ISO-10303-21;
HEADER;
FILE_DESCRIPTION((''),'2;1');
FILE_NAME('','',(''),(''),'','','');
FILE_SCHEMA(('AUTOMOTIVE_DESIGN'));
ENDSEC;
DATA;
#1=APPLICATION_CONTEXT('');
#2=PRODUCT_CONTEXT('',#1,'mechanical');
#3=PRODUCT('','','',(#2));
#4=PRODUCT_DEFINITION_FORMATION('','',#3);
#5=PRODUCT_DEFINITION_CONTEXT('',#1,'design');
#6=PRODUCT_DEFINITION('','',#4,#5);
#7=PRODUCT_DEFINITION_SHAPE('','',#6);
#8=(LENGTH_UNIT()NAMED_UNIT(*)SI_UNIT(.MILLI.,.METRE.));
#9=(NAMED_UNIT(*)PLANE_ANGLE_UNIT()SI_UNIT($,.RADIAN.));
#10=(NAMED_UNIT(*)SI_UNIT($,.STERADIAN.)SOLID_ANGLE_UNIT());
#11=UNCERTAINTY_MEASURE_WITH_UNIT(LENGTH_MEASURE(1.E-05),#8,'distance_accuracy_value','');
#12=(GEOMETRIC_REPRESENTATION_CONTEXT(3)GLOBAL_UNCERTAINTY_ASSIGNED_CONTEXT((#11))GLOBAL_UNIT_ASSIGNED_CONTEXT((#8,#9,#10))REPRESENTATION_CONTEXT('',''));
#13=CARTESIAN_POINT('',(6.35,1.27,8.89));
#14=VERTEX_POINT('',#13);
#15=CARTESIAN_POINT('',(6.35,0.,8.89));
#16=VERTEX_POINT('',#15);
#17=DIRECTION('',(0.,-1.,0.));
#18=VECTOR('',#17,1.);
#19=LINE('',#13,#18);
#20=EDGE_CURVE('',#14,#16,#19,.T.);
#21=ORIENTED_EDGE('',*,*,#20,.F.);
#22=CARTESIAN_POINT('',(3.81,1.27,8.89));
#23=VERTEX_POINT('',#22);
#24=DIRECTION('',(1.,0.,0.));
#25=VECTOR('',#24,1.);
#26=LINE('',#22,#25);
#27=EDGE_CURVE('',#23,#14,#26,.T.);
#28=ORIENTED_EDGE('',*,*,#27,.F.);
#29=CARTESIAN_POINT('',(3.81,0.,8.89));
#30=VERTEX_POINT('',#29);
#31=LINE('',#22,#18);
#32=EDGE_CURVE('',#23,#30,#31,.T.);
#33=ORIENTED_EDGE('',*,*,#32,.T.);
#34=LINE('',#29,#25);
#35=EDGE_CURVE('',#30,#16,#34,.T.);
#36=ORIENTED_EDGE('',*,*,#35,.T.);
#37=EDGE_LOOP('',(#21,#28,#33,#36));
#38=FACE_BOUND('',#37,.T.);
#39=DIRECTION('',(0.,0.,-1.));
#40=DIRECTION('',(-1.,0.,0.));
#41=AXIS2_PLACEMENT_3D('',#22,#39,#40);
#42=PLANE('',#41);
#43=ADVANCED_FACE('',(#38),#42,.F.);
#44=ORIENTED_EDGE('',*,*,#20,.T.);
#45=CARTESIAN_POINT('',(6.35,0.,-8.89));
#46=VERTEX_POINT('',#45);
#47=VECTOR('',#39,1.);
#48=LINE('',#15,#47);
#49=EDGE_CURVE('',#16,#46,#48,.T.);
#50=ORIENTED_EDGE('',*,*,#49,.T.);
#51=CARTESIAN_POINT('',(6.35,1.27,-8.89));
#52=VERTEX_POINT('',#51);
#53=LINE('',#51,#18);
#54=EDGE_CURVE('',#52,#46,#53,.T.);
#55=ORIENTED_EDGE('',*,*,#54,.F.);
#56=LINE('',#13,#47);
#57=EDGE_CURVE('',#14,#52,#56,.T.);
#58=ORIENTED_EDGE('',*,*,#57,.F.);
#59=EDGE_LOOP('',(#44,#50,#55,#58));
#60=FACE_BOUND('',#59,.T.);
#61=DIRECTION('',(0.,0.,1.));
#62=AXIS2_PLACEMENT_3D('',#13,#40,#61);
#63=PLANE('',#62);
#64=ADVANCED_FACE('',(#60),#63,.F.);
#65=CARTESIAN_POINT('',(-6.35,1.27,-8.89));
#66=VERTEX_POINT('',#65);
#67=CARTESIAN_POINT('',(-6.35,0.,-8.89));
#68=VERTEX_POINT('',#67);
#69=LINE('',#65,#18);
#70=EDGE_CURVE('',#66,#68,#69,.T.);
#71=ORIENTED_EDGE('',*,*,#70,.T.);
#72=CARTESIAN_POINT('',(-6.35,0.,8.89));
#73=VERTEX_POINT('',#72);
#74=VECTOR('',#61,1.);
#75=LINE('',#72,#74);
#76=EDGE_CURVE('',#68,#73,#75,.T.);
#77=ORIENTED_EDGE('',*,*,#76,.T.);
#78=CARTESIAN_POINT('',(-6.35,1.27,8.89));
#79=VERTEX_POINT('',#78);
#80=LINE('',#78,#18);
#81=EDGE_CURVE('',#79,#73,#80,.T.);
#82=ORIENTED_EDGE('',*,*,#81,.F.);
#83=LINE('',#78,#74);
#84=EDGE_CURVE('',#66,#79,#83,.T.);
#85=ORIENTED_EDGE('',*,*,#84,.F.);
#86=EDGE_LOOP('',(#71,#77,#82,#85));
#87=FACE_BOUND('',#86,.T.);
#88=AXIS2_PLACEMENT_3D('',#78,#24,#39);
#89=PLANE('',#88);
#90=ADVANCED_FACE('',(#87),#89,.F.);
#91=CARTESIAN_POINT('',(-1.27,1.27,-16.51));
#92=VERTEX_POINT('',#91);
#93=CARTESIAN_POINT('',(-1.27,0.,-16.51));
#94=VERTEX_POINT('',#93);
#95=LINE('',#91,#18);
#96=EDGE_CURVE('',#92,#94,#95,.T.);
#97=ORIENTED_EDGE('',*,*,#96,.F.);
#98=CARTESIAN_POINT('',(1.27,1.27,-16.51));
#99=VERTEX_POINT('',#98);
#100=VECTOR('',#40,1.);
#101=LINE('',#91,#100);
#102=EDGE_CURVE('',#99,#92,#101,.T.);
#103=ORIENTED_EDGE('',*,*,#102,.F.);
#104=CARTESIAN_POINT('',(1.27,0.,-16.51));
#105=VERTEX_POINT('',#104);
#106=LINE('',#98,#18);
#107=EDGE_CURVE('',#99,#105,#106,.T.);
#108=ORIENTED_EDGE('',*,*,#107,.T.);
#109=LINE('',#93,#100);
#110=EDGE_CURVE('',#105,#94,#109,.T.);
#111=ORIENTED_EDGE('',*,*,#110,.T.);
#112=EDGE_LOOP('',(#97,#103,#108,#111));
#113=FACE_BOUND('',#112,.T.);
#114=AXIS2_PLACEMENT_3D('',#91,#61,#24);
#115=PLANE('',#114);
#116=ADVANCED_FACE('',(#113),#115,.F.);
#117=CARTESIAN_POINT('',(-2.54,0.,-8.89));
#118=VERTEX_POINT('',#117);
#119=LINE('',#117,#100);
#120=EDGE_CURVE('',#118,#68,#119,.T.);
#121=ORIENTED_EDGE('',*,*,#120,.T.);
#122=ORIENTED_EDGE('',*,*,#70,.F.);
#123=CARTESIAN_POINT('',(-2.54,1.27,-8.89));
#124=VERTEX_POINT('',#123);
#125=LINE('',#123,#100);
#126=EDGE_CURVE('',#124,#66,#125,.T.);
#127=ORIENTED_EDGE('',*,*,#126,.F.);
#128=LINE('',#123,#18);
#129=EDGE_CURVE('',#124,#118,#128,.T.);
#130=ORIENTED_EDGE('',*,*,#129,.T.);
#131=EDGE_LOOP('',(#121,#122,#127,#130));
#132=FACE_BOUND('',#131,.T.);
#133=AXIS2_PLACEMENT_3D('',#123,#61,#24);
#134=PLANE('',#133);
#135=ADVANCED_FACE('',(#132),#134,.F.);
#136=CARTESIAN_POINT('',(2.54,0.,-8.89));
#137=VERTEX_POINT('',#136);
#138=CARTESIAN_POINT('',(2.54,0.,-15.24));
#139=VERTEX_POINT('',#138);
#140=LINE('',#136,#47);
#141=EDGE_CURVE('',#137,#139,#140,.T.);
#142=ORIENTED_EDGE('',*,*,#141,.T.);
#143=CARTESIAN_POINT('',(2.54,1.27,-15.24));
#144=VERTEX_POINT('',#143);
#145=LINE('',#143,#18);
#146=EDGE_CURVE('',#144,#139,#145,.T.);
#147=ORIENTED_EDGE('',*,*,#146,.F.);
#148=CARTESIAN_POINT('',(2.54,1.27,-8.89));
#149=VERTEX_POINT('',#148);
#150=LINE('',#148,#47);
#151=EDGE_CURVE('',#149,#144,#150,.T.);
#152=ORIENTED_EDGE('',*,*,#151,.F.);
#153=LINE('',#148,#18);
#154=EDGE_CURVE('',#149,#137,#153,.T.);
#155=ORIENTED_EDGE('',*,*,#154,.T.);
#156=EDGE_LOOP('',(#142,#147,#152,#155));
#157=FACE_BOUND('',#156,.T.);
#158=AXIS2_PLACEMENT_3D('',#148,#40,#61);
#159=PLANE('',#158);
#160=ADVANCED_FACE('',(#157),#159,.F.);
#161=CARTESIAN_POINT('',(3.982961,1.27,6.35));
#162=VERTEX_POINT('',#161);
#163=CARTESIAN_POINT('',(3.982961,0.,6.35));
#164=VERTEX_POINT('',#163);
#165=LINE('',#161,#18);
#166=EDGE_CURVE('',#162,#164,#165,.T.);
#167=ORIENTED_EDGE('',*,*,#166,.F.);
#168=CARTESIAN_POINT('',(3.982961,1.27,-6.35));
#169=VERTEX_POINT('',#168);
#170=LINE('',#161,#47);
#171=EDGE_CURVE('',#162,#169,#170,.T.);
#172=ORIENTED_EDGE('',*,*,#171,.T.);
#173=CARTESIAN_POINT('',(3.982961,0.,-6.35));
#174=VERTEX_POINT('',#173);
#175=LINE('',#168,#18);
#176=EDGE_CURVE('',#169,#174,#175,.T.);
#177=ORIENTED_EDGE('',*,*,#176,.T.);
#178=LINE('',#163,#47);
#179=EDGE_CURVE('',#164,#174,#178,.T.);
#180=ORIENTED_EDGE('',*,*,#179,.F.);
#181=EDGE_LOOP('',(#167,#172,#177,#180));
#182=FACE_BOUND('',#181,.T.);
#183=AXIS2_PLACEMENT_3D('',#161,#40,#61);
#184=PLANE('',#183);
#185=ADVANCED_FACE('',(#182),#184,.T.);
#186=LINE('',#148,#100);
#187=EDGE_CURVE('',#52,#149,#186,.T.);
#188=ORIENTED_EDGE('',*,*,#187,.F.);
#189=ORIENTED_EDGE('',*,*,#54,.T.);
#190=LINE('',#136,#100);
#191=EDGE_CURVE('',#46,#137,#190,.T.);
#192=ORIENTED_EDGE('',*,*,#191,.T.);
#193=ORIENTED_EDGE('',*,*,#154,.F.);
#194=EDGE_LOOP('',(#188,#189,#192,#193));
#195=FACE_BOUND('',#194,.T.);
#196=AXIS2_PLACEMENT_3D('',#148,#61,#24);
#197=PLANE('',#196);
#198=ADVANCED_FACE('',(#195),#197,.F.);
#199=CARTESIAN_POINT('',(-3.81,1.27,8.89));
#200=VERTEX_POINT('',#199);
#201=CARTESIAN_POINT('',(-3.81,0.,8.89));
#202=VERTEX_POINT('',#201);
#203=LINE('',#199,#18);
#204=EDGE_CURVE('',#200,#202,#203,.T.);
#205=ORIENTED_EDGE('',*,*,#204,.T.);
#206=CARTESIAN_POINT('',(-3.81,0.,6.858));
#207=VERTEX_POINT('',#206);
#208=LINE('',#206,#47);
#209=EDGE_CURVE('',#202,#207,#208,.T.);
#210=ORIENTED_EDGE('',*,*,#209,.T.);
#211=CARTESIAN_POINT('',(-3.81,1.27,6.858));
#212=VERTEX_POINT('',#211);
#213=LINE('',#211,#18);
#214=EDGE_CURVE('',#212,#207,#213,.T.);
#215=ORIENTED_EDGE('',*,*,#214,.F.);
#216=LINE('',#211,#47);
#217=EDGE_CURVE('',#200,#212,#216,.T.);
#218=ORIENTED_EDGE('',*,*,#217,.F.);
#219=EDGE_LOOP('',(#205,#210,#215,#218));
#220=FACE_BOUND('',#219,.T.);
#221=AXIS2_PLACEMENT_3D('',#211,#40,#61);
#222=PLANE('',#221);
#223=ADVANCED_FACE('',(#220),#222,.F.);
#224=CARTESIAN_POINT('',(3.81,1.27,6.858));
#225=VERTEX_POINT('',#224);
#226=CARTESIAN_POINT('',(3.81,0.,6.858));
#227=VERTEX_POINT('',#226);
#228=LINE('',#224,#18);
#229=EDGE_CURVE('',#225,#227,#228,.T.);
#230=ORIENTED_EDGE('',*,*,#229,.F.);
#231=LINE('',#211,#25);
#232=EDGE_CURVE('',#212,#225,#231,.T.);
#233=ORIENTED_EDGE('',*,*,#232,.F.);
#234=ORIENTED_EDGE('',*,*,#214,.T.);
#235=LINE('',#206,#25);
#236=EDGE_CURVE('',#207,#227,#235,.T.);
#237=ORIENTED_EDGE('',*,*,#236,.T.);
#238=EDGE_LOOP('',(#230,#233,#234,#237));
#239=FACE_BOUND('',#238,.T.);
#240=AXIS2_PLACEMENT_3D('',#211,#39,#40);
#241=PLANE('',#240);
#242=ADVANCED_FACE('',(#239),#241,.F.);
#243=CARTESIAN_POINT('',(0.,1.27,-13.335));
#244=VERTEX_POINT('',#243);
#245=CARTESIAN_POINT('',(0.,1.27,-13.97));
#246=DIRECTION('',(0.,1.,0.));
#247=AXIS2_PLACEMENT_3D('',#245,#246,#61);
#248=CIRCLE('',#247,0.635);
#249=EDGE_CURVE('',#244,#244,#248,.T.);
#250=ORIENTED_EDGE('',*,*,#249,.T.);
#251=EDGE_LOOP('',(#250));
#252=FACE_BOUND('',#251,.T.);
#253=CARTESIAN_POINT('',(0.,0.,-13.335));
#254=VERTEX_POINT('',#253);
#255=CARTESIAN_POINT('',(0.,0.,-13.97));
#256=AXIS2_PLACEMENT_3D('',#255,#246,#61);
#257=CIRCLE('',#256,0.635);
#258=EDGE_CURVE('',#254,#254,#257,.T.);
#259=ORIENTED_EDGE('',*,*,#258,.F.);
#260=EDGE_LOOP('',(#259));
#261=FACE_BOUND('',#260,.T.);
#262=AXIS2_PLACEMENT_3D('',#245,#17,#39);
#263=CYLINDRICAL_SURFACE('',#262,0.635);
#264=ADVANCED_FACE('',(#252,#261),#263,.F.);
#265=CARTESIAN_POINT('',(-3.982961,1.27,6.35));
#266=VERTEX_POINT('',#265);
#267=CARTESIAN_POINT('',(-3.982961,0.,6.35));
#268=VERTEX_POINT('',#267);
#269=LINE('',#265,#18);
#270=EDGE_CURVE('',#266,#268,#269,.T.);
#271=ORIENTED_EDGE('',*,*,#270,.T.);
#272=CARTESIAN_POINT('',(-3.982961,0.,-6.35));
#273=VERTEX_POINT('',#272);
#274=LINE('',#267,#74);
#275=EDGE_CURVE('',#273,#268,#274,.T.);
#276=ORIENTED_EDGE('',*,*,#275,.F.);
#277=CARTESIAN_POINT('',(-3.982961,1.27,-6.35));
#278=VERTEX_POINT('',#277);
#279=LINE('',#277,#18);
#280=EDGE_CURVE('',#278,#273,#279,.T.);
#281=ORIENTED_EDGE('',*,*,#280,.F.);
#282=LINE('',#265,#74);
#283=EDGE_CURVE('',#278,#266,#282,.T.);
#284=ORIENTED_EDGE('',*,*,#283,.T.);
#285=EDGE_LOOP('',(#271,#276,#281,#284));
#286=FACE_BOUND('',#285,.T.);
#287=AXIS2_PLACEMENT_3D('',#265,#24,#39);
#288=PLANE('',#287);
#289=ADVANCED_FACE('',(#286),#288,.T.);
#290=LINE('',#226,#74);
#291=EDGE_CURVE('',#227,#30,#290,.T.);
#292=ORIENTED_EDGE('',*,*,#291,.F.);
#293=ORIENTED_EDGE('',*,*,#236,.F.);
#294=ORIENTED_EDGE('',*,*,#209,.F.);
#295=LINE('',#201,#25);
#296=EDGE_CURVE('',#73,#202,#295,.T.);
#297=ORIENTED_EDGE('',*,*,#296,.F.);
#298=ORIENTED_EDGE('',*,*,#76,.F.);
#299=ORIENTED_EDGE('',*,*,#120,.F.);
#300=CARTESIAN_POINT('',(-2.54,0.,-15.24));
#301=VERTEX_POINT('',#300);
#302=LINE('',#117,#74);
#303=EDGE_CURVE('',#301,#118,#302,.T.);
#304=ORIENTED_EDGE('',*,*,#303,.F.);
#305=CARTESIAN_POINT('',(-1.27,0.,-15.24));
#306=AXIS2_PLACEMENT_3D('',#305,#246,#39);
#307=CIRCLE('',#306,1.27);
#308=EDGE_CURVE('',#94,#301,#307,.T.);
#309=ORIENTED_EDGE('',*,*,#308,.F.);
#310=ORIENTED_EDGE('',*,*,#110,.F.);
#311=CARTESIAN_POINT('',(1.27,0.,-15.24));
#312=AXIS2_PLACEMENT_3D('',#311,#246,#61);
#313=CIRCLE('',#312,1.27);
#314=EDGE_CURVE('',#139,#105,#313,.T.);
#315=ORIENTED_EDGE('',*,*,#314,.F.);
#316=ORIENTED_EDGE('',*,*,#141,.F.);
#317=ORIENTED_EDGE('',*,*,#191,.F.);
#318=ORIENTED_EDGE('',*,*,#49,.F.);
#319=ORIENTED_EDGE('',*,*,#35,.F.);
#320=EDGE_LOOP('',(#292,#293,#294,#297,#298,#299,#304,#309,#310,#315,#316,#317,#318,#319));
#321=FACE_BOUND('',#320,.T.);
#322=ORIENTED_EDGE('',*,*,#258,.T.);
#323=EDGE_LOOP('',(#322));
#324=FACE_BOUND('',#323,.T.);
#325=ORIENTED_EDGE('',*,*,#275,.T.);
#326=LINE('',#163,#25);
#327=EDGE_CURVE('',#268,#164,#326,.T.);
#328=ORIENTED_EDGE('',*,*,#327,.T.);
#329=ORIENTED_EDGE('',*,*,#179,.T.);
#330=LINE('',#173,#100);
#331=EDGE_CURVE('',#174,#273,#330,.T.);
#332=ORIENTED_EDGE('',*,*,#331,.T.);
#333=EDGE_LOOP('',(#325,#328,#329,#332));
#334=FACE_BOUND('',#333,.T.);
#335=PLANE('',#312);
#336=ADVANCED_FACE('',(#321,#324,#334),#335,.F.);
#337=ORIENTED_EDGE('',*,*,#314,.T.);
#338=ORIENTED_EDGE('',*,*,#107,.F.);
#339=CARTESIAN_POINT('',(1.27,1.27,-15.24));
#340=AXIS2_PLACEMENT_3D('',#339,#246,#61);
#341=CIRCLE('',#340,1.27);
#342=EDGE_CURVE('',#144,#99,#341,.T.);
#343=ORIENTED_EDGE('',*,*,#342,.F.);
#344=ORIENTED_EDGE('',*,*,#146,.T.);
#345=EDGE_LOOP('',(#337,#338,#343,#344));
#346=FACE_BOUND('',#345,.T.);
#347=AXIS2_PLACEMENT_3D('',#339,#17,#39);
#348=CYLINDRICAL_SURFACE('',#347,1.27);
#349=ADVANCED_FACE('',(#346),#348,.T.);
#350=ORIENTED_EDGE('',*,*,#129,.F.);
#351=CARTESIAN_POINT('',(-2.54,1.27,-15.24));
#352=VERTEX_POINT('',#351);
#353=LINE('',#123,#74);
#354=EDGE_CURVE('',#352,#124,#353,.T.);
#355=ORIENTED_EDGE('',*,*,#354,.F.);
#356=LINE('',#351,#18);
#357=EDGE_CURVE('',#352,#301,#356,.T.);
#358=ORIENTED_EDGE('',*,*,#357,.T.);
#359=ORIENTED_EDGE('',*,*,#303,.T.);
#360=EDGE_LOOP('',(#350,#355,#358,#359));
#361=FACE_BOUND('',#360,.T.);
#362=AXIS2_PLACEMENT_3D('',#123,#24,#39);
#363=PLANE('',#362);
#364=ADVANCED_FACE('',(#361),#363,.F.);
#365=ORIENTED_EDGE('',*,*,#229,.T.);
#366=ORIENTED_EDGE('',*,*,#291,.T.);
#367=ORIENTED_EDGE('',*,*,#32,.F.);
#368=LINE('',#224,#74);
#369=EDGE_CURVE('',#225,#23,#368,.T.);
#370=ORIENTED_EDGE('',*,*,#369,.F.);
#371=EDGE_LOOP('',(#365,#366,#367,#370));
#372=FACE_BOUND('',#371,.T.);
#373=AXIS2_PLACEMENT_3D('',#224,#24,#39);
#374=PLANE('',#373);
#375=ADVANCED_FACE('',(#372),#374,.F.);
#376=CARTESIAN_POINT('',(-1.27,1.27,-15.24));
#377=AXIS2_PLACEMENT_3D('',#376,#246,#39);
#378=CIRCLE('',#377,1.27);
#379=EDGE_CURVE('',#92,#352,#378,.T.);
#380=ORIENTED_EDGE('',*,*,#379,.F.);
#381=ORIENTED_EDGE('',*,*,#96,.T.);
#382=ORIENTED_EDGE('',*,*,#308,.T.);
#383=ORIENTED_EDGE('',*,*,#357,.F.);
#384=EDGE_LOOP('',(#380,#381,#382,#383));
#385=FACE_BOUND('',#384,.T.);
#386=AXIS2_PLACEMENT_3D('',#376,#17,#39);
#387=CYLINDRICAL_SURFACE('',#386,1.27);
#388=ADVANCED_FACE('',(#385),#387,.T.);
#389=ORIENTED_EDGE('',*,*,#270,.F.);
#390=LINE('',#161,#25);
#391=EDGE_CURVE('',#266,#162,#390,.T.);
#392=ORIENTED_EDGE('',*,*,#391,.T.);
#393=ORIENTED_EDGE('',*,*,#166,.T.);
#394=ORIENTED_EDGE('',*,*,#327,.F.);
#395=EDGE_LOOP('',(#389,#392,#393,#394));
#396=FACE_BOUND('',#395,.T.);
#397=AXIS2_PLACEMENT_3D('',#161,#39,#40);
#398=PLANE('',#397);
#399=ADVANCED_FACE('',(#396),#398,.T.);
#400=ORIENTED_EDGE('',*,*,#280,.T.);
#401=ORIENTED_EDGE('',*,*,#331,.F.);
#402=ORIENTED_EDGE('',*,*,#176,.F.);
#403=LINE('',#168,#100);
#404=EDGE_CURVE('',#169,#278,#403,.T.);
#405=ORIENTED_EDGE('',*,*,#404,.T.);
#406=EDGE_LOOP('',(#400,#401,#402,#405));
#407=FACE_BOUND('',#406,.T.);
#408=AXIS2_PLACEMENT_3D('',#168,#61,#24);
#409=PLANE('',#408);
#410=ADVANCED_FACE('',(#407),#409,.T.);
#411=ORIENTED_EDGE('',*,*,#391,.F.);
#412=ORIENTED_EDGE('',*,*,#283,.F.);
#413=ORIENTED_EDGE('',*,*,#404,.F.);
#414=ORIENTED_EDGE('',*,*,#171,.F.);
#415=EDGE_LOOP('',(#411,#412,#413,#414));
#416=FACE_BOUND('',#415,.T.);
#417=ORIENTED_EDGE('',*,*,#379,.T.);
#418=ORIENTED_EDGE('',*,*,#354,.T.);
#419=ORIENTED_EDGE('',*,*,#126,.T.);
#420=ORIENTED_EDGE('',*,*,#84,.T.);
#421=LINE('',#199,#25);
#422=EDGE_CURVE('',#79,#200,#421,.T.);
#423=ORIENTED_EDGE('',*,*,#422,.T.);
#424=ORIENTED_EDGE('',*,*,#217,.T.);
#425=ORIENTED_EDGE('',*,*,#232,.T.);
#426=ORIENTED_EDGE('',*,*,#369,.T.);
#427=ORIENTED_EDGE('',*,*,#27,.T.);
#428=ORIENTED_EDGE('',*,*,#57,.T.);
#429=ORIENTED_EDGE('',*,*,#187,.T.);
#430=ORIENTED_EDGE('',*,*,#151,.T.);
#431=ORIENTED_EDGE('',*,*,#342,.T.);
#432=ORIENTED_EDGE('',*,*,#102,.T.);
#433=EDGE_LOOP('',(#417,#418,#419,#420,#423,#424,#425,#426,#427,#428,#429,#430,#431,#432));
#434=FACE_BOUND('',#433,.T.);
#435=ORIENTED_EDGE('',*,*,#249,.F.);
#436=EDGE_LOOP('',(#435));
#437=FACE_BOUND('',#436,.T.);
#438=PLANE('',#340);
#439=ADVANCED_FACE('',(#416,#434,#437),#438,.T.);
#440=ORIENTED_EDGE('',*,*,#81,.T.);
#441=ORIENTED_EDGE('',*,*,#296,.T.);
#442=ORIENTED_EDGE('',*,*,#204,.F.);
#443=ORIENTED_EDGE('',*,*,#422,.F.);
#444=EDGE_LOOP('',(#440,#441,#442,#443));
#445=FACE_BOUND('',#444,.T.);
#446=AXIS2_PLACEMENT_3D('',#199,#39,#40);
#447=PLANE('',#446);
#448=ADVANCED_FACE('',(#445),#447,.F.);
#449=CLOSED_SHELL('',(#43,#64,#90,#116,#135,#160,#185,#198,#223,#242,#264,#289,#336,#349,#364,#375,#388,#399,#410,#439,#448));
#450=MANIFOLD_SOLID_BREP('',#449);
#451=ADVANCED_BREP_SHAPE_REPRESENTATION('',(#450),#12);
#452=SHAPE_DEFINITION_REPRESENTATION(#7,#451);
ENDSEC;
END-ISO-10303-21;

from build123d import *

# Parameters (mm, degrees)
SKETCH1_R           = 0.635
SKETCH1_W           = 7.96592112
SKETCH1_H           = 12.7
BOSS_EXTRUDE1_DEPTH = 1.27


with BuildPart() as part:
    # Sketch1 → Boss-Extrude1 (new body)
    with BuildSketch(Plane(origin=(0, 0, 0), x_dir=(1, 0, 0), z_dir=(0, 1, 0))):
        with BuildLine():
            Line((6.35, -8.89), (6.35, 8.89))
            Line((6.35, 8.89), (2.54, 8.89))
            Line((2.54, 8.89), (2.54, 15.24))
            ThreePointArc((2.54, 15.24), (2.168025612, 16.138025612), (1.27, 16.51))
            Line((1.27, 16.51), (-1.27, 16.51))
            ThreePointArc((-1.27, 16.51), (-2.168025612, 16.138025612), (-2.54, 15.24))
            Line((-2.54, 15.24), (-2.54, 8.89))
            Line((-2.54, 8.89), (-6.35, 8.89))
            Line((-6.35, 8.89), (-6.35, -8.89))
            Line((-6.35, -8.89), (-3.81, -8.89))
            Line((-3.81, -8.89), (-3.81, -6.858))
            Line((-3.81, -6.858), (3.81, -6.858))
            Line((3.81, -6.858), (3.81, -8.89))
            Line((3.81, -8.89), (6.35, -8.89))
        make_face()
        with Locations((0, 13.97)):
            Circle(SKETCH1_R, mode=Mode.SUBTRACT)
        Rectangle(SKETCH1_W, SKETCH1_H, mode=Mode.SUBTRACT)
    extrude(amount=BOSS_EXTRUDE1_DEPTH)


solid = part.part
